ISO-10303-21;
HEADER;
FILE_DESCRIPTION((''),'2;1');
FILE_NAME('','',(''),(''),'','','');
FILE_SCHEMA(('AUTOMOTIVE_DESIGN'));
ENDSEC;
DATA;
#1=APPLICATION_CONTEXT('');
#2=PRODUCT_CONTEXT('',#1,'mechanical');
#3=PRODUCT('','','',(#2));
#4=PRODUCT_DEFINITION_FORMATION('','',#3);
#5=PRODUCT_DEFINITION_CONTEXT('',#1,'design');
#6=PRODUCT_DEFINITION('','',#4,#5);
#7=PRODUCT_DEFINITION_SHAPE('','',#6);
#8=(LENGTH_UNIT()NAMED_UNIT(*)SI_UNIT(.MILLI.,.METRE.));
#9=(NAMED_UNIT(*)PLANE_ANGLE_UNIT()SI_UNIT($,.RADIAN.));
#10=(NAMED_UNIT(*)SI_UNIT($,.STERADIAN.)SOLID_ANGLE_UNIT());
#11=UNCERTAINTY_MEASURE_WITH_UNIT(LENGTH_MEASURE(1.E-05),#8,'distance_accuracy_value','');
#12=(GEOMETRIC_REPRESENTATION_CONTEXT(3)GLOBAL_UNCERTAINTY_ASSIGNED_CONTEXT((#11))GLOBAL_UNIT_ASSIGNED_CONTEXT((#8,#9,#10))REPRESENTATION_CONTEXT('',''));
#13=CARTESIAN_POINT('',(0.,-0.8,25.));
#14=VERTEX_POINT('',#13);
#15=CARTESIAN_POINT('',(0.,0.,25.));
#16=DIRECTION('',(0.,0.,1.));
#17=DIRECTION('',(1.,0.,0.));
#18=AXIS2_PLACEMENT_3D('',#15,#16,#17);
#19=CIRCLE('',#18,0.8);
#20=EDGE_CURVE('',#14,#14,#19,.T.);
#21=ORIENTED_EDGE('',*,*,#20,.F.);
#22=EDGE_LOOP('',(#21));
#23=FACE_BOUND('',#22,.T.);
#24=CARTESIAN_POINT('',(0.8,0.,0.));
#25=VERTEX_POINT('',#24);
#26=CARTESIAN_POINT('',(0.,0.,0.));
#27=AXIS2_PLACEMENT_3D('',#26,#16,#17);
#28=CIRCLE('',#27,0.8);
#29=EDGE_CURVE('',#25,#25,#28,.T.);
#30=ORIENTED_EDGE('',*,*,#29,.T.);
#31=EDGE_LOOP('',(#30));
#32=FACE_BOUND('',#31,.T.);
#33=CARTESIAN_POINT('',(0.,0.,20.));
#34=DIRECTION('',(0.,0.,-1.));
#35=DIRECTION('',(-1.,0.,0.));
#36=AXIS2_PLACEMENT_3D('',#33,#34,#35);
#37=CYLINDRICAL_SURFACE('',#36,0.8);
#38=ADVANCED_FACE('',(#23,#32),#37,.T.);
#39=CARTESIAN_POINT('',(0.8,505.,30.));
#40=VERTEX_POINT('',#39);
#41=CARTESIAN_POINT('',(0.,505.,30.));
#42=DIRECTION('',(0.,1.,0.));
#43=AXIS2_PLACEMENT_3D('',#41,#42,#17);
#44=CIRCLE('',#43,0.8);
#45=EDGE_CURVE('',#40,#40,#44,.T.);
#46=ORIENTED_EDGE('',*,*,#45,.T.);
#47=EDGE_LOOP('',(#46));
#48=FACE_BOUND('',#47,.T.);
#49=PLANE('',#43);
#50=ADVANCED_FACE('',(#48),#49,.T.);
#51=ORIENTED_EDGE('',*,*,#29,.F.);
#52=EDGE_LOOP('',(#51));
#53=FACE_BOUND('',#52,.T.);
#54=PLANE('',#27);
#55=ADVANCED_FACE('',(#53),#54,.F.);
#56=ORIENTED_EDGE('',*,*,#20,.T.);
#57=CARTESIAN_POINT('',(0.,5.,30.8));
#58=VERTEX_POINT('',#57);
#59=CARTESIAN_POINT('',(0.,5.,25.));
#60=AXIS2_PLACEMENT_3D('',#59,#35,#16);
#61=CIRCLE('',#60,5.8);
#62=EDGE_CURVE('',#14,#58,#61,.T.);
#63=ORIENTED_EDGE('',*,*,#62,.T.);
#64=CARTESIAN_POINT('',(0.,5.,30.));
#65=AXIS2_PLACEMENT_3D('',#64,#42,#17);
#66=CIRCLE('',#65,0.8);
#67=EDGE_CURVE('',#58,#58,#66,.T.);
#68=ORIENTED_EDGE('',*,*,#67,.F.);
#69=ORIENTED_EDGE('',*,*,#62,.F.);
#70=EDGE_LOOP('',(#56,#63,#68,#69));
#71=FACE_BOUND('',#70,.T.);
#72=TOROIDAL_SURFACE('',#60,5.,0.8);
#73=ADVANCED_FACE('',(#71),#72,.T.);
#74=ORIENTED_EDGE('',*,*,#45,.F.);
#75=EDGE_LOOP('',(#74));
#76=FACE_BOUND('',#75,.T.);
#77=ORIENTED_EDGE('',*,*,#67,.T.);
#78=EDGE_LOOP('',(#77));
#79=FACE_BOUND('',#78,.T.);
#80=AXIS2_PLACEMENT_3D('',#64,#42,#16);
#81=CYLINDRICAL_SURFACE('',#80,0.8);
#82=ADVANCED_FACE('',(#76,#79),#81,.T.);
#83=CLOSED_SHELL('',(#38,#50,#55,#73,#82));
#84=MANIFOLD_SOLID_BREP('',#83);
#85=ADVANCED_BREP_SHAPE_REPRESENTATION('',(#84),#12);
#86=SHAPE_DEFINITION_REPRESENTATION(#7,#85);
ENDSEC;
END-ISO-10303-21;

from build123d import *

# Parameters (mm, degrees)
SKETCH_1_R      = 0.8
EXTRUDE_1_DEPTH = 20
SKETCH_2_R      = 0.8


with BuildPart() as part:
    # ｽｹｯﾁ1 → ﾎﾞｽ - 押し出し1 (new body)
    with BuildSketch(Plane.XY):
        Circle(SKETCH_1_R)
    extrude(amount=EXTRUDE_1_DEPTH)

    # ｽｲｰﾌﾟ1: sweep along a path in ｽｹｯﾁ3
    with BuildLine(Plane(origin=(0, 0, 0), x_dir=(0, 0, -1), z_dir=(1, 0, 0))) as sweep_1_path:
        Line((-20, 0), (-25, 0))
        ThreePointArc((-25, 0), (-28.535533906, 1.464466094), (-30, 5))
        Line((-30, 5), (-30, 505))
    # ｽｹｯﾁ2 → ｽｲｰﾌﾟ1 (sweep)
    with BuildSketch(Plane.XY.offset(20)):
        Circle(SKETCH_2_R)
    sweep(path=sweep_1_path.line)


solid = part.part
